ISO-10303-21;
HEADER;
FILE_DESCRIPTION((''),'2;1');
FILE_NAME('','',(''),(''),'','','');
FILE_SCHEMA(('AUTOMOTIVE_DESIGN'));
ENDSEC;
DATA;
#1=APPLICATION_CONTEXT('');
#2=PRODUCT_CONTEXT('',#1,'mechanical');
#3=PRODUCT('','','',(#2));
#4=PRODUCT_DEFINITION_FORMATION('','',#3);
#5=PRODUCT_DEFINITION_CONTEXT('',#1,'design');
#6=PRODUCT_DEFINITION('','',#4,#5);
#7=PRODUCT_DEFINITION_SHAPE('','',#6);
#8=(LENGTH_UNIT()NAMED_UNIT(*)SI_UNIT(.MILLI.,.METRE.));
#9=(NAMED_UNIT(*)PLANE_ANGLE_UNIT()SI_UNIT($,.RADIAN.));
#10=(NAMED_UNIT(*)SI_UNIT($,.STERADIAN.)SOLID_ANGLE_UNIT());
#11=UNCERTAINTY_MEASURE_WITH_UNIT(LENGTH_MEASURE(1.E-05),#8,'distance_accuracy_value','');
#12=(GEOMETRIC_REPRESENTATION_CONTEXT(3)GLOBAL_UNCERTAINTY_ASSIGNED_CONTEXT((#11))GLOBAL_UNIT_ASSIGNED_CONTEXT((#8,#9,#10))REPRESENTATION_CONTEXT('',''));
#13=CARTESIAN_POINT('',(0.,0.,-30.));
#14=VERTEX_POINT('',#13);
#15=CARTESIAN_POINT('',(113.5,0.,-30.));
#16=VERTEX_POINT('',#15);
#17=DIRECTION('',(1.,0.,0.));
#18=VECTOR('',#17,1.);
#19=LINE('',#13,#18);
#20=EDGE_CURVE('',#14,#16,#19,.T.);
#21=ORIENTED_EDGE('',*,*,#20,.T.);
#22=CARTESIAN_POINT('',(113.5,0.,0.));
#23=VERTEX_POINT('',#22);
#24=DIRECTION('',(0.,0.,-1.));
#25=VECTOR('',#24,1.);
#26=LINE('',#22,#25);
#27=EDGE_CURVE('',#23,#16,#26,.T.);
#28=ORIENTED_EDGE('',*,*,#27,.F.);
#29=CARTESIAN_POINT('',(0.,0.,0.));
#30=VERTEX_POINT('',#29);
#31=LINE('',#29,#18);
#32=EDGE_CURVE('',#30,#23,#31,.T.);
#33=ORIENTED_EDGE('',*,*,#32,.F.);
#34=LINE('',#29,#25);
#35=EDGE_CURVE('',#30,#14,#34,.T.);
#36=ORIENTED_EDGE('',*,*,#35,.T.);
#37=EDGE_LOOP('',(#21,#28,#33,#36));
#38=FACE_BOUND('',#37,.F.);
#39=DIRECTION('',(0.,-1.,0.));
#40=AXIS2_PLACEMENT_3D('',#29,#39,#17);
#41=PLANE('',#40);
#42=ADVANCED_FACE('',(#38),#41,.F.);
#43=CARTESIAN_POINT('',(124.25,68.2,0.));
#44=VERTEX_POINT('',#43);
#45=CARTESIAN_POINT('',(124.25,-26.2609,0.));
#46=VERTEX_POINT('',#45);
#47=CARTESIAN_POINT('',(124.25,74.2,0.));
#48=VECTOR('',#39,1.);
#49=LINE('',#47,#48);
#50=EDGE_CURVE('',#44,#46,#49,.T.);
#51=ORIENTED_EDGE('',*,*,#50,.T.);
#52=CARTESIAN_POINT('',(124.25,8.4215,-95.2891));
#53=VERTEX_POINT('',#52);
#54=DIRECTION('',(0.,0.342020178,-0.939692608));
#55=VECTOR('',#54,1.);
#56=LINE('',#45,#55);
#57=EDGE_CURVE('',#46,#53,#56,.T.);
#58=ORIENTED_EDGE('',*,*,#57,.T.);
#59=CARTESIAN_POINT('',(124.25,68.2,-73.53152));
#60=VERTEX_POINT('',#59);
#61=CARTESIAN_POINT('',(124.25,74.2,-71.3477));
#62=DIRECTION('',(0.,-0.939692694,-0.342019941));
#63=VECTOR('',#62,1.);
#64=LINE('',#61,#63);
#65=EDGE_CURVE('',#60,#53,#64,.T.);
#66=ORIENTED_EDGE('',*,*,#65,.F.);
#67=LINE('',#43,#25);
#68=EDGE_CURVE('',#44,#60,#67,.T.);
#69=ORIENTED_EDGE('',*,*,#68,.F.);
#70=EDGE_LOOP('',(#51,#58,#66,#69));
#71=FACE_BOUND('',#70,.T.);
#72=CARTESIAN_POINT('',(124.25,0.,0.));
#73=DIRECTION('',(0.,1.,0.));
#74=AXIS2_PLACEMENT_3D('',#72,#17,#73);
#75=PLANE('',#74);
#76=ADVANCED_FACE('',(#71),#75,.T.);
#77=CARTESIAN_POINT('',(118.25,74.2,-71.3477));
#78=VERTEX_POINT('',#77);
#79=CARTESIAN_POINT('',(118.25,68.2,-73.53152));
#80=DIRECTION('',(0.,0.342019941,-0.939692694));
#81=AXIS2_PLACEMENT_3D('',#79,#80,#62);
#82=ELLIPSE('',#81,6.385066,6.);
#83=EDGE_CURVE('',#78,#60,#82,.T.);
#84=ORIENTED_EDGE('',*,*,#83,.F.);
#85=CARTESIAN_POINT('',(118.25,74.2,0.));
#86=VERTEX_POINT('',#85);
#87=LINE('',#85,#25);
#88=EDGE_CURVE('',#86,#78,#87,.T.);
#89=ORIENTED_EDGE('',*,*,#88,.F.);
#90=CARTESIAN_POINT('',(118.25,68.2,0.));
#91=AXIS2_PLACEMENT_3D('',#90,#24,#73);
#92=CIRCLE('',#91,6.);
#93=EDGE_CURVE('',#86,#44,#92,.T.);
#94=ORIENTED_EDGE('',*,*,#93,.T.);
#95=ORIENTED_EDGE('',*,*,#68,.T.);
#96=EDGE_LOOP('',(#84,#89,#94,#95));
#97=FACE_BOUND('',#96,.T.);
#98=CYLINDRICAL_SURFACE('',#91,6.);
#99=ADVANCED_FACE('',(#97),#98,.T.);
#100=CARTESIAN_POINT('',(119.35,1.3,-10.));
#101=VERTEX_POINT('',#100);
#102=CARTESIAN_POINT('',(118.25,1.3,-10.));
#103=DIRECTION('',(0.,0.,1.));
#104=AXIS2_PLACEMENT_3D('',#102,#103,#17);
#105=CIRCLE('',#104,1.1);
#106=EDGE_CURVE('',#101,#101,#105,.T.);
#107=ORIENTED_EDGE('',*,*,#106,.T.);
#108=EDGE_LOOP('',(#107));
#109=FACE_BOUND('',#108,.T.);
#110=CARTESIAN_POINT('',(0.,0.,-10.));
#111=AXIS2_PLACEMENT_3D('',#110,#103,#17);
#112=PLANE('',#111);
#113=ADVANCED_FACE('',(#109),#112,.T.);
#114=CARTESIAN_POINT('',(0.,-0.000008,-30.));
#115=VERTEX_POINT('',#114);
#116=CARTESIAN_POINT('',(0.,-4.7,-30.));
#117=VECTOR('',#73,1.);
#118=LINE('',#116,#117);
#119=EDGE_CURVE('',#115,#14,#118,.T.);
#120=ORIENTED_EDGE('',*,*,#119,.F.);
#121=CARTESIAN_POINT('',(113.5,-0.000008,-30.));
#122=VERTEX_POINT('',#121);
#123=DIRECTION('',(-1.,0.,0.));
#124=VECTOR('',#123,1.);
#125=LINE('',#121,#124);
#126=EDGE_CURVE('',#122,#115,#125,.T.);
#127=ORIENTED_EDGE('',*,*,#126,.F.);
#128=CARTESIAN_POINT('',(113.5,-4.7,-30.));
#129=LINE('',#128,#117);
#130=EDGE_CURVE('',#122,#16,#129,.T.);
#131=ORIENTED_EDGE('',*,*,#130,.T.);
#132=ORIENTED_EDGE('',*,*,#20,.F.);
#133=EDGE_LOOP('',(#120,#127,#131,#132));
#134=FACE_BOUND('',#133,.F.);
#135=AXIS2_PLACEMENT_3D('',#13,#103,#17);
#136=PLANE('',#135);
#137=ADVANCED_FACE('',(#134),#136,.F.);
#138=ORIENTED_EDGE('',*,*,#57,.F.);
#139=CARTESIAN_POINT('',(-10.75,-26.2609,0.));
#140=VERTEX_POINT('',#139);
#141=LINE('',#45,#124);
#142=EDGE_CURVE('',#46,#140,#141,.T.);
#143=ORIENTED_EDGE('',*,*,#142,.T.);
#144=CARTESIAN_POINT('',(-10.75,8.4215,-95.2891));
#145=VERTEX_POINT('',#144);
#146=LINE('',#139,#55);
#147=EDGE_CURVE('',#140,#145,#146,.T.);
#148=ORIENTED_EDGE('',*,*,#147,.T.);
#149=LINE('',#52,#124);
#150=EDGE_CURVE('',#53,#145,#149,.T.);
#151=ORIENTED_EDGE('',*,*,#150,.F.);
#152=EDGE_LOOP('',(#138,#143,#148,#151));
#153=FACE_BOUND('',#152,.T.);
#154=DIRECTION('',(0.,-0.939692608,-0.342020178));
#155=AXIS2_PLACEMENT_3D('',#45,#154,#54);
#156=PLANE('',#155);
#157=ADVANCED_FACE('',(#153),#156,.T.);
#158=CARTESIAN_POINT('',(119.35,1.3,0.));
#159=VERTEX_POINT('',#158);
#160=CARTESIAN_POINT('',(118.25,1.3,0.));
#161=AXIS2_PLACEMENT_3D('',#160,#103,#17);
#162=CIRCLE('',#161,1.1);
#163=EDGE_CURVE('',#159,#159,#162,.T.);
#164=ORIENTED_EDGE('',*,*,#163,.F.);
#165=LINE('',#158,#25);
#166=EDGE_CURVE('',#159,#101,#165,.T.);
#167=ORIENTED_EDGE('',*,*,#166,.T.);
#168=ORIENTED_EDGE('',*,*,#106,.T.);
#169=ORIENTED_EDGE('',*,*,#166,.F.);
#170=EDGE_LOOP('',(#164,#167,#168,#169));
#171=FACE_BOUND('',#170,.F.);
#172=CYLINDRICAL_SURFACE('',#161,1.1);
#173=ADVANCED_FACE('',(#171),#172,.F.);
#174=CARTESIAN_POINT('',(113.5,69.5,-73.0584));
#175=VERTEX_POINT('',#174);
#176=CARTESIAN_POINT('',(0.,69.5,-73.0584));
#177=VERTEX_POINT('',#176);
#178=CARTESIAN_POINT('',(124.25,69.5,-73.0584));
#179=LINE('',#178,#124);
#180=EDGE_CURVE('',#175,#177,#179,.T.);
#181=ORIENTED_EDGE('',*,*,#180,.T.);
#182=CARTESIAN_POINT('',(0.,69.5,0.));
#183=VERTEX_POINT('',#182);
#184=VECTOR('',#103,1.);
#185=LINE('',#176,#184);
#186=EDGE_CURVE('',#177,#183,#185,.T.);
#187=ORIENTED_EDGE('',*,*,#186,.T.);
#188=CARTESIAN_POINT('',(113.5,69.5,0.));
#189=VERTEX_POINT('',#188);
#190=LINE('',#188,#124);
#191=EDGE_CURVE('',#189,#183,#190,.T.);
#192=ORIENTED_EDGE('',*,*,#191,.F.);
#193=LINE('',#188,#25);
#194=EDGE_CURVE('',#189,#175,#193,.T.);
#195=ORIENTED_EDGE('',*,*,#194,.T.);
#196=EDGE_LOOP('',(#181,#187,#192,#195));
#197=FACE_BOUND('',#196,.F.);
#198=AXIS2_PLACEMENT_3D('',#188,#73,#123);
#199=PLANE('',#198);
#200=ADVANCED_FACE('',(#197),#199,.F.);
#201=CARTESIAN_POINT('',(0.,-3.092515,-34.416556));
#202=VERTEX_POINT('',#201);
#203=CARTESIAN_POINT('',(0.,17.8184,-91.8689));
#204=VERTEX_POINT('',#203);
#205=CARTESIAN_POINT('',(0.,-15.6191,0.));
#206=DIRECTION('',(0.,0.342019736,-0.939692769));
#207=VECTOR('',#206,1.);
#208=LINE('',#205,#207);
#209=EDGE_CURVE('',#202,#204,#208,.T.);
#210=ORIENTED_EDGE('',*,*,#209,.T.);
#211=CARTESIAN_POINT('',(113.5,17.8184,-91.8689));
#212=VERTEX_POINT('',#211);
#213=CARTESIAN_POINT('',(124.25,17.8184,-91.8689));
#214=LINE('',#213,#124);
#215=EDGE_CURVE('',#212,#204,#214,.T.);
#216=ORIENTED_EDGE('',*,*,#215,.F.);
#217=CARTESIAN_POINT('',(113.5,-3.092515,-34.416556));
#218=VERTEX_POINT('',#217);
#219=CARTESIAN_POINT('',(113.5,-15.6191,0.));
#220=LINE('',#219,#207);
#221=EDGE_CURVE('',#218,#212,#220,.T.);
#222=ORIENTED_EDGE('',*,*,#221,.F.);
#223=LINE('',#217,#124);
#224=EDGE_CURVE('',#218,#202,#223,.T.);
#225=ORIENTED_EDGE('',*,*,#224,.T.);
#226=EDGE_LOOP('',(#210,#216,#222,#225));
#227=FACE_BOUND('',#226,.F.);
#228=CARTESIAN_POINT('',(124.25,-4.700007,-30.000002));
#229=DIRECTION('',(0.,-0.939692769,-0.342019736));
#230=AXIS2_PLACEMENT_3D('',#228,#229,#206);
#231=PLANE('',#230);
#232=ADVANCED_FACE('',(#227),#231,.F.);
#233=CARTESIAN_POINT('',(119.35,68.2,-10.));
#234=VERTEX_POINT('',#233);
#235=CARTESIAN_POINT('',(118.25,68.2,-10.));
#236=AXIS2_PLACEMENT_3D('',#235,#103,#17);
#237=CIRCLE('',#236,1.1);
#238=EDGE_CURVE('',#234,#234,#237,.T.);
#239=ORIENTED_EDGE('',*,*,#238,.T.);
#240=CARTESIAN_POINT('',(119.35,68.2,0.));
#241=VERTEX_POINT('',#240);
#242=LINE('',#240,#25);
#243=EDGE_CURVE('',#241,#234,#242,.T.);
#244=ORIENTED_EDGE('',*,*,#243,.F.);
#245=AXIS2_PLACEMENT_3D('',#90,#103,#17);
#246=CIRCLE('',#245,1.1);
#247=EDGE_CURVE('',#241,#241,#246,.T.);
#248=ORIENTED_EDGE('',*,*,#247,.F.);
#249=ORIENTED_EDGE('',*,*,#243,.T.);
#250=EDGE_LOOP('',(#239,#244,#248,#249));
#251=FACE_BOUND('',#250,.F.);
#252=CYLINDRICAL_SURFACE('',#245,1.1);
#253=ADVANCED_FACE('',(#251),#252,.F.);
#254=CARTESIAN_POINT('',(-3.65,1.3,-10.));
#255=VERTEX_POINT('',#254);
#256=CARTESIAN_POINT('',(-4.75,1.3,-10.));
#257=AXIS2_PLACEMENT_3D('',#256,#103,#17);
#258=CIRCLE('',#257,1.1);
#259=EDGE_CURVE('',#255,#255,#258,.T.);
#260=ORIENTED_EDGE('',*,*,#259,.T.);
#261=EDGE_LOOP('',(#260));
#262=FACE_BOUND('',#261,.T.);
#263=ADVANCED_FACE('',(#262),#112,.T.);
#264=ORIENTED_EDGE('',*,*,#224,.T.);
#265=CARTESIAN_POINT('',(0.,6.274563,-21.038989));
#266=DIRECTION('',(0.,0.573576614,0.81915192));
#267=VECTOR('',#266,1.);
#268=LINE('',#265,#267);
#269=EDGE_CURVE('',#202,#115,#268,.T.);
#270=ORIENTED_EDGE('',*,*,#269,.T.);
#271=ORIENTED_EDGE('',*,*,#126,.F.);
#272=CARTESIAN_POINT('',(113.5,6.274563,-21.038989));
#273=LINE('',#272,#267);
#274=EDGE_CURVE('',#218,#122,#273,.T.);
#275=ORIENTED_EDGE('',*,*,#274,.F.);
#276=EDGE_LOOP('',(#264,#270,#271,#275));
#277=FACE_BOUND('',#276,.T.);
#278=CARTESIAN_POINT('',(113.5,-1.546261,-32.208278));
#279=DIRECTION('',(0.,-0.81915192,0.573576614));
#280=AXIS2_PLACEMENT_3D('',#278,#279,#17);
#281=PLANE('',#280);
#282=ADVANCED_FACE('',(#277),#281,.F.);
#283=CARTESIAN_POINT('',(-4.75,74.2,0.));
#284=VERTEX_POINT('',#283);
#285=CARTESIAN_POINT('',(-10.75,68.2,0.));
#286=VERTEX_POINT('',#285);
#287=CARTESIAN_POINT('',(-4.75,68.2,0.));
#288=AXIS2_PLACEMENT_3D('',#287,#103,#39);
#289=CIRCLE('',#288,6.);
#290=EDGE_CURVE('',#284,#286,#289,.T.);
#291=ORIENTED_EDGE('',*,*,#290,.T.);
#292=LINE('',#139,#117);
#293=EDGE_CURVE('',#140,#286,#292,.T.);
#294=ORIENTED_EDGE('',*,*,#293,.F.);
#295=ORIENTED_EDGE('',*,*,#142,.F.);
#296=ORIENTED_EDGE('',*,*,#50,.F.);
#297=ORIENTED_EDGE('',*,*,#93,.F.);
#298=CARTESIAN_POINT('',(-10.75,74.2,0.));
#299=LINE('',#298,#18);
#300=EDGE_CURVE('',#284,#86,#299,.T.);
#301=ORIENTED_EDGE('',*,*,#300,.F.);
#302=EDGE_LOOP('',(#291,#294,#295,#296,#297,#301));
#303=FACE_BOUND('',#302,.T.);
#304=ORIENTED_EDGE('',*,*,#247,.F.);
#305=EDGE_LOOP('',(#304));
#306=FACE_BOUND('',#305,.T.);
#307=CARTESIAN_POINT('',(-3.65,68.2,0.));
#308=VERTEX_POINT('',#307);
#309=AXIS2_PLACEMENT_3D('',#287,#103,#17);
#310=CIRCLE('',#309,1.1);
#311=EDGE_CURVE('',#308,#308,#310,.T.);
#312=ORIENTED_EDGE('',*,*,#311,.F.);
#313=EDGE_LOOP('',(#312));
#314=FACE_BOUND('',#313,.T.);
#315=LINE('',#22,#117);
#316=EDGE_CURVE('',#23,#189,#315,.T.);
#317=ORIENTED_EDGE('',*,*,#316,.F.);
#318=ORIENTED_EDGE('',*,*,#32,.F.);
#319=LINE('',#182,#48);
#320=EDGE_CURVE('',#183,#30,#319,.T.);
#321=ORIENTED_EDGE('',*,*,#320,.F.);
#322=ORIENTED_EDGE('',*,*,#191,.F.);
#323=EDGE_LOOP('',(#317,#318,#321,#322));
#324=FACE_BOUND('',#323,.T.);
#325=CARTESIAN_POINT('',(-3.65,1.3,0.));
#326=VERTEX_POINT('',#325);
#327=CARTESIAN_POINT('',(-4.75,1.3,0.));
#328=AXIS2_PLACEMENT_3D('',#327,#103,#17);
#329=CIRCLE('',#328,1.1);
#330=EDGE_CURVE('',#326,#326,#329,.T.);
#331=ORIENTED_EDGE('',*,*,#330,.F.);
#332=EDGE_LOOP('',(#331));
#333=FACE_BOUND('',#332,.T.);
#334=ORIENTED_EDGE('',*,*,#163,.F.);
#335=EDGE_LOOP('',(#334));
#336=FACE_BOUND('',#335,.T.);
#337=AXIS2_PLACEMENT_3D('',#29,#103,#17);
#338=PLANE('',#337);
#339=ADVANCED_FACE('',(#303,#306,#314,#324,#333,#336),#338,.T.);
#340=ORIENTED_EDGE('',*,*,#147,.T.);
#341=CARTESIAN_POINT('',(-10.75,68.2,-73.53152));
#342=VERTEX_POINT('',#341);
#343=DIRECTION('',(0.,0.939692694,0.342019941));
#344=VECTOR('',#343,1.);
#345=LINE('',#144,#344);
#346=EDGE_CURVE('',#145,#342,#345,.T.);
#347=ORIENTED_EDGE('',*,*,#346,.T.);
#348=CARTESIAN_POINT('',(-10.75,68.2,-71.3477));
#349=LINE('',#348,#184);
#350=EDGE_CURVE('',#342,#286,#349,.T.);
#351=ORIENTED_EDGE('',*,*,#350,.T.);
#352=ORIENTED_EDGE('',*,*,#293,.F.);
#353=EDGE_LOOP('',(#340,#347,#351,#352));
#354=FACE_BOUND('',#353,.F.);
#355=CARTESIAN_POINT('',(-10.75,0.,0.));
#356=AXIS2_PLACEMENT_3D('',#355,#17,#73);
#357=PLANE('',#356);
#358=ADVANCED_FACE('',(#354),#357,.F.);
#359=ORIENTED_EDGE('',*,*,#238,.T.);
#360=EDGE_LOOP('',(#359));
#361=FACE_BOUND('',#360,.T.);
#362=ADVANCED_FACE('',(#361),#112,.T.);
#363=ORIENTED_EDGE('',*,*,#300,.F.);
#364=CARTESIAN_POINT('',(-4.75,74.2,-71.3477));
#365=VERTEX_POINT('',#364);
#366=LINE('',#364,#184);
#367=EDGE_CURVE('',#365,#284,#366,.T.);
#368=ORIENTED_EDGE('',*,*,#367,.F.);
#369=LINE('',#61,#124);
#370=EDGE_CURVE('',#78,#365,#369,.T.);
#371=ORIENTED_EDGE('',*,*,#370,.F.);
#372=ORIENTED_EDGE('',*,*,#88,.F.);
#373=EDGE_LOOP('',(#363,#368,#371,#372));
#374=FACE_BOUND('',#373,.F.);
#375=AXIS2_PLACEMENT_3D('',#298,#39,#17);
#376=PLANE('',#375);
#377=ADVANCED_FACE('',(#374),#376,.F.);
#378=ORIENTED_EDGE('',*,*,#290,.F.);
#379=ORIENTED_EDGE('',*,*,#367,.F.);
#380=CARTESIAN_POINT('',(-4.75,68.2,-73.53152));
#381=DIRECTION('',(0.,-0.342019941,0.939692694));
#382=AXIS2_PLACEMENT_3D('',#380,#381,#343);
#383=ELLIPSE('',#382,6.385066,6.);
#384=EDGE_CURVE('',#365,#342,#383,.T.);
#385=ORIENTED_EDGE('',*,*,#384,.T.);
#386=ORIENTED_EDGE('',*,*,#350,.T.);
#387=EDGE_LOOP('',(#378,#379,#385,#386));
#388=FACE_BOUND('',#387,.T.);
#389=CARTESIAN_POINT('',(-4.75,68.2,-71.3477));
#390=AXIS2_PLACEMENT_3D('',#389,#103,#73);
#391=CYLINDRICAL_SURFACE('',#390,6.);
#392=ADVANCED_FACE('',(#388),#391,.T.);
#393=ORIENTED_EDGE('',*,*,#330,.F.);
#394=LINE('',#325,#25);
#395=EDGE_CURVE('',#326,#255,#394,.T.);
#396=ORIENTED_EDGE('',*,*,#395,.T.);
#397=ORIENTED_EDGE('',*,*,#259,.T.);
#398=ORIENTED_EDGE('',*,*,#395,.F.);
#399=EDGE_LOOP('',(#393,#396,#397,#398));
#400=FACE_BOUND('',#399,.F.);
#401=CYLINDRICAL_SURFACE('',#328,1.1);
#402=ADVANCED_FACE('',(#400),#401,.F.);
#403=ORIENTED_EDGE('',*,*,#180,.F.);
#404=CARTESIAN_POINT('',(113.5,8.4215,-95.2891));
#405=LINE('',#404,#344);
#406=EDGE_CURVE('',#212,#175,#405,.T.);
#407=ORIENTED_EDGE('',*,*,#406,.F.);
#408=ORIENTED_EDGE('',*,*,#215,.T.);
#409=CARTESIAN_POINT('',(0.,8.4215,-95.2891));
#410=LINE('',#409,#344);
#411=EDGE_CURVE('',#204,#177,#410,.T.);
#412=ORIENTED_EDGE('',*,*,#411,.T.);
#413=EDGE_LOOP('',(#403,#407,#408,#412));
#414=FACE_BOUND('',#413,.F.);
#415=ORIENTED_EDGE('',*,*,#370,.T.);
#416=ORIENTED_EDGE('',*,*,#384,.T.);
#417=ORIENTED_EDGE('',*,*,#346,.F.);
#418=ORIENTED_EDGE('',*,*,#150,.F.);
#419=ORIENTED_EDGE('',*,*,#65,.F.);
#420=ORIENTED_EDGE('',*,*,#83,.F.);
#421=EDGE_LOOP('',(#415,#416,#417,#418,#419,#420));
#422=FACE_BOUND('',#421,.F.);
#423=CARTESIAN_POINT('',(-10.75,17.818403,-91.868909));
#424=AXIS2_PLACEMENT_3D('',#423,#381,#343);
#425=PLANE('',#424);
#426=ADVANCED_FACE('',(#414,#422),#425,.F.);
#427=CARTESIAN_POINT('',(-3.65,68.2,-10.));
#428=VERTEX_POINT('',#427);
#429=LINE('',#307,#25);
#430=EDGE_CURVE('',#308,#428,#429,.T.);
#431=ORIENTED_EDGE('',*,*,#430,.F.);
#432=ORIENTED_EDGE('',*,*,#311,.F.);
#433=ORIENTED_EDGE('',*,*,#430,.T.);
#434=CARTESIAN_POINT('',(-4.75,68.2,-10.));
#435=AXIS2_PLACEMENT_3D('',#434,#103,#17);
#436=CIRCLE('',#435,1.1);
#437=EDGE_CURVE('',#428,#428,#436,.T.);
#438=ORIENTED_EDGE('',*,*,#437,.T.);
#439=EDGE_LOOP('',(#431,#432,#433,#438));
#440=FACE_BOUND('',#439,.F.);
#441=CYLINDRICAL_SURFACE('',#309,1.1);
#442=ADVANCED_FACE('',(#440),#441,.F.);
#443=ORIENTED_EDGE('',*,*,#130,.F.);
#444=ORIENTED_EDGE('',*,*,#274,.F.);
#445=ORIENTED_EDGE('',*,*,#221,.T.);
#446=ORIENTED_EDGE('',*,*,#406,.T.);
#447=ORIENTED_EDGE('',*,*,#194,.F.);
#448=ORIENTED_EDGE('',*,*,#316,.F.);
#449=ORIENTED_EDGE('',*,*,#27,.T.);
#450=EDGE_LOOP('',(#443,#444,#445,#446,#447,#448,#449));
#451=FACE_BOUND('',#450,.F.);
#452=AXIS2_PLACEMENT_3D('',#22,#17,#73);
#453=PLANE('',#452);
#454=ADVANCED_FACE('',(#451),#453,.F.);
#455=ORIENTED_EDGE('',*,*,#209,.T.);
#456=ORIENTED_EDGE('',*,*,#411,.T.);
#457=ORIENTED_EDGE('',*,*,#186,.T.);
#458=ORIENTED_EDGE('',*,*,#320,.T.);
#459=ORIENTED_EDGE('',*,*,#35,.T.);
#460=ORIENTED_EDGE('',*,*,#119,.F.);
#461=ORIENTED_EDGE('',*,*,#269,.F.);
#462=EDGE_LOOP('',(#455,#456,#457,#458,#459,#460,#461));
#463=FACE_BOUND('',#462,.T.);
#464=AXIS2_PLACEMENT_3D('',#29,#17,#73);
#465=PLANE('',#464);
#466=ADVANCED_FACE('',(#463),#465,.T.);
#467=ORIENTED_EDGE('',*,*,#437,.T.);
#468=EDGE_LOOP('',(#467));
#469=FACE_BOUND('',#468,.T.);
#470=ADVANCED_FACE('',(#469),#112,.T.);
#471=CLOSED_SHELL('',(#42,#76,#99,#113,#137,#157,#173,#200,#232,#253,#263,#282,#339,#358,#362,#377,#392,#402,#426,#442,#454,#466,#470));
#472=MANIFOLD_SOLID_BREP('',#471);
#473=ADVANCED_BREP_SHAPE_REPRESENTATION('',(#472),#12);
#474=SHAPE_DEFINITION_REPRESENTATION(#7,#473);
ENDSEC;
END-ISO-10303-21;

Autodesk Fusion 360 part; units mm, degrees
sketch "Sketch1" plane through (0, 0, 0) normal (0, 0, 1) x (1, 0, 0)
  line L0 (0, 0) -> (113.5, 0)
  line L1 (113.5, 0) -> (113.5, 69.5)
  line L2 (113.5, 69.5) -> (0, 69.5)
  line L3 (0, 69.5) -> (0, 0)
  line L4 (56.75, 69.5) -> (56.75, 0) construction
  line L5 (0, 34.75) -> (113.5, 34.75) construction
  line L6 (-10.75, 74.2) -> (124.25, 74.2)
  line L7 (124.25, 74.2) -> (124.25, -4.7)
  line L8 (124.25, -4.7) -> (-10.75, -4.7)
  line L9 (-10.75, -4.7) -> (-10.75, 74.2)
  line L10 (56.75, 74.2) -> (56.75, -4.7) construction
  line L11 (-10.75, 34.75) -> (124.25, 34.75) construction
  circle A0 centre (-4.75, 68.2) radius 1.1
  circle A1 centre (-4.75, 1.3) radius 1.1
  circle A2 centre (118.25, 1.3) radius 1.1
  circle A3 centre (118.25, 68.2) radius 1.1
  dimension "d1" = 113.5
  dimension "d2" = 69.5
  dimension "d3" = 78.9
  dimension "d4" = 135
  dimension "d5" = 2.2
  dimension "d6" = 2.2
  dimension "d7" = 2.2
  dimension "d8" = 2.2
  dimension "d9" = 6
  dimension "d10" = 6
  dimension "d11" = 6
  dimension "d12" = 6
  dimension "d13" = 6
  dimension "d14" = 6
  dimension "d15" = 6
  dimension "d16" = 6
extrude "Extrude1" add sketch "Sketch1" against normal blind 30 contours L6 L7 L8 L9 | A0 | A1 | A2 | A3
sketch "Sketch2" plane through (124.25, 0, 0) normal (1, 0, 0) x (0, 1, 0)
  line L0 (74.2, 0) -> (-4.7, 0)
  line L1 (-4.7, 0) -> (-4.7, -30)
  line L2 (-4.7, -30) -> (74.2, -30)
  line L3 (74.2, -30) -> (74.2, 0)
  line L4 (-26.2609, 0) -> (74.2, 0)
  line L5 (-26.2609, 0) -> (8.4215, -95.2891)
  line L6 (8.4215, -95.2891) -> (74.2, -71.3477)
  line L7 (74.2, -71.3477) -> (74.2, 0)
  line L8 (-15.6191, 0) -> (17.8184, -91.8689)
  line L9 (-4.7, 0) -> (-4.7, -30)
  line L10 (69.5, 0) -> (69.5, -73.0584)
  point P0 (69.5, -30)
  point P1 (0, -30)
  dimension "d19" = 70
  dimension "d20" = 10
  dimension "d21" = 70
  dimension "d22" = 90
extrude "Extrude2" add sketch "Sketch2" against normal blind 135 contours L2 L6 L7 L10 | L1 L4 L8 L9 | L4 L5 L6 L8
extrude "Extrude3" add sketch "Sketch2" against normal blind 10.75 contours L2 L6 L8 L10
extrude "Extrude4" add sketch "Sketch2" along normal blind 10.75 from surface at -135 contours L2 L6 L8 L10
chamfer "Chamfer1" distance 4.7 angle 45 1 edges at (56.75, -4.7, -30)
extrude "Extrude5" cut sketch "Sketch1" against normal blind 10 contours A0 | A1 | A2 | A3
fillet "Fillet1" radius 6 2 edges at (124.25, 74.2, -35.6739) (-10.75, 74.2, -35.6739)
